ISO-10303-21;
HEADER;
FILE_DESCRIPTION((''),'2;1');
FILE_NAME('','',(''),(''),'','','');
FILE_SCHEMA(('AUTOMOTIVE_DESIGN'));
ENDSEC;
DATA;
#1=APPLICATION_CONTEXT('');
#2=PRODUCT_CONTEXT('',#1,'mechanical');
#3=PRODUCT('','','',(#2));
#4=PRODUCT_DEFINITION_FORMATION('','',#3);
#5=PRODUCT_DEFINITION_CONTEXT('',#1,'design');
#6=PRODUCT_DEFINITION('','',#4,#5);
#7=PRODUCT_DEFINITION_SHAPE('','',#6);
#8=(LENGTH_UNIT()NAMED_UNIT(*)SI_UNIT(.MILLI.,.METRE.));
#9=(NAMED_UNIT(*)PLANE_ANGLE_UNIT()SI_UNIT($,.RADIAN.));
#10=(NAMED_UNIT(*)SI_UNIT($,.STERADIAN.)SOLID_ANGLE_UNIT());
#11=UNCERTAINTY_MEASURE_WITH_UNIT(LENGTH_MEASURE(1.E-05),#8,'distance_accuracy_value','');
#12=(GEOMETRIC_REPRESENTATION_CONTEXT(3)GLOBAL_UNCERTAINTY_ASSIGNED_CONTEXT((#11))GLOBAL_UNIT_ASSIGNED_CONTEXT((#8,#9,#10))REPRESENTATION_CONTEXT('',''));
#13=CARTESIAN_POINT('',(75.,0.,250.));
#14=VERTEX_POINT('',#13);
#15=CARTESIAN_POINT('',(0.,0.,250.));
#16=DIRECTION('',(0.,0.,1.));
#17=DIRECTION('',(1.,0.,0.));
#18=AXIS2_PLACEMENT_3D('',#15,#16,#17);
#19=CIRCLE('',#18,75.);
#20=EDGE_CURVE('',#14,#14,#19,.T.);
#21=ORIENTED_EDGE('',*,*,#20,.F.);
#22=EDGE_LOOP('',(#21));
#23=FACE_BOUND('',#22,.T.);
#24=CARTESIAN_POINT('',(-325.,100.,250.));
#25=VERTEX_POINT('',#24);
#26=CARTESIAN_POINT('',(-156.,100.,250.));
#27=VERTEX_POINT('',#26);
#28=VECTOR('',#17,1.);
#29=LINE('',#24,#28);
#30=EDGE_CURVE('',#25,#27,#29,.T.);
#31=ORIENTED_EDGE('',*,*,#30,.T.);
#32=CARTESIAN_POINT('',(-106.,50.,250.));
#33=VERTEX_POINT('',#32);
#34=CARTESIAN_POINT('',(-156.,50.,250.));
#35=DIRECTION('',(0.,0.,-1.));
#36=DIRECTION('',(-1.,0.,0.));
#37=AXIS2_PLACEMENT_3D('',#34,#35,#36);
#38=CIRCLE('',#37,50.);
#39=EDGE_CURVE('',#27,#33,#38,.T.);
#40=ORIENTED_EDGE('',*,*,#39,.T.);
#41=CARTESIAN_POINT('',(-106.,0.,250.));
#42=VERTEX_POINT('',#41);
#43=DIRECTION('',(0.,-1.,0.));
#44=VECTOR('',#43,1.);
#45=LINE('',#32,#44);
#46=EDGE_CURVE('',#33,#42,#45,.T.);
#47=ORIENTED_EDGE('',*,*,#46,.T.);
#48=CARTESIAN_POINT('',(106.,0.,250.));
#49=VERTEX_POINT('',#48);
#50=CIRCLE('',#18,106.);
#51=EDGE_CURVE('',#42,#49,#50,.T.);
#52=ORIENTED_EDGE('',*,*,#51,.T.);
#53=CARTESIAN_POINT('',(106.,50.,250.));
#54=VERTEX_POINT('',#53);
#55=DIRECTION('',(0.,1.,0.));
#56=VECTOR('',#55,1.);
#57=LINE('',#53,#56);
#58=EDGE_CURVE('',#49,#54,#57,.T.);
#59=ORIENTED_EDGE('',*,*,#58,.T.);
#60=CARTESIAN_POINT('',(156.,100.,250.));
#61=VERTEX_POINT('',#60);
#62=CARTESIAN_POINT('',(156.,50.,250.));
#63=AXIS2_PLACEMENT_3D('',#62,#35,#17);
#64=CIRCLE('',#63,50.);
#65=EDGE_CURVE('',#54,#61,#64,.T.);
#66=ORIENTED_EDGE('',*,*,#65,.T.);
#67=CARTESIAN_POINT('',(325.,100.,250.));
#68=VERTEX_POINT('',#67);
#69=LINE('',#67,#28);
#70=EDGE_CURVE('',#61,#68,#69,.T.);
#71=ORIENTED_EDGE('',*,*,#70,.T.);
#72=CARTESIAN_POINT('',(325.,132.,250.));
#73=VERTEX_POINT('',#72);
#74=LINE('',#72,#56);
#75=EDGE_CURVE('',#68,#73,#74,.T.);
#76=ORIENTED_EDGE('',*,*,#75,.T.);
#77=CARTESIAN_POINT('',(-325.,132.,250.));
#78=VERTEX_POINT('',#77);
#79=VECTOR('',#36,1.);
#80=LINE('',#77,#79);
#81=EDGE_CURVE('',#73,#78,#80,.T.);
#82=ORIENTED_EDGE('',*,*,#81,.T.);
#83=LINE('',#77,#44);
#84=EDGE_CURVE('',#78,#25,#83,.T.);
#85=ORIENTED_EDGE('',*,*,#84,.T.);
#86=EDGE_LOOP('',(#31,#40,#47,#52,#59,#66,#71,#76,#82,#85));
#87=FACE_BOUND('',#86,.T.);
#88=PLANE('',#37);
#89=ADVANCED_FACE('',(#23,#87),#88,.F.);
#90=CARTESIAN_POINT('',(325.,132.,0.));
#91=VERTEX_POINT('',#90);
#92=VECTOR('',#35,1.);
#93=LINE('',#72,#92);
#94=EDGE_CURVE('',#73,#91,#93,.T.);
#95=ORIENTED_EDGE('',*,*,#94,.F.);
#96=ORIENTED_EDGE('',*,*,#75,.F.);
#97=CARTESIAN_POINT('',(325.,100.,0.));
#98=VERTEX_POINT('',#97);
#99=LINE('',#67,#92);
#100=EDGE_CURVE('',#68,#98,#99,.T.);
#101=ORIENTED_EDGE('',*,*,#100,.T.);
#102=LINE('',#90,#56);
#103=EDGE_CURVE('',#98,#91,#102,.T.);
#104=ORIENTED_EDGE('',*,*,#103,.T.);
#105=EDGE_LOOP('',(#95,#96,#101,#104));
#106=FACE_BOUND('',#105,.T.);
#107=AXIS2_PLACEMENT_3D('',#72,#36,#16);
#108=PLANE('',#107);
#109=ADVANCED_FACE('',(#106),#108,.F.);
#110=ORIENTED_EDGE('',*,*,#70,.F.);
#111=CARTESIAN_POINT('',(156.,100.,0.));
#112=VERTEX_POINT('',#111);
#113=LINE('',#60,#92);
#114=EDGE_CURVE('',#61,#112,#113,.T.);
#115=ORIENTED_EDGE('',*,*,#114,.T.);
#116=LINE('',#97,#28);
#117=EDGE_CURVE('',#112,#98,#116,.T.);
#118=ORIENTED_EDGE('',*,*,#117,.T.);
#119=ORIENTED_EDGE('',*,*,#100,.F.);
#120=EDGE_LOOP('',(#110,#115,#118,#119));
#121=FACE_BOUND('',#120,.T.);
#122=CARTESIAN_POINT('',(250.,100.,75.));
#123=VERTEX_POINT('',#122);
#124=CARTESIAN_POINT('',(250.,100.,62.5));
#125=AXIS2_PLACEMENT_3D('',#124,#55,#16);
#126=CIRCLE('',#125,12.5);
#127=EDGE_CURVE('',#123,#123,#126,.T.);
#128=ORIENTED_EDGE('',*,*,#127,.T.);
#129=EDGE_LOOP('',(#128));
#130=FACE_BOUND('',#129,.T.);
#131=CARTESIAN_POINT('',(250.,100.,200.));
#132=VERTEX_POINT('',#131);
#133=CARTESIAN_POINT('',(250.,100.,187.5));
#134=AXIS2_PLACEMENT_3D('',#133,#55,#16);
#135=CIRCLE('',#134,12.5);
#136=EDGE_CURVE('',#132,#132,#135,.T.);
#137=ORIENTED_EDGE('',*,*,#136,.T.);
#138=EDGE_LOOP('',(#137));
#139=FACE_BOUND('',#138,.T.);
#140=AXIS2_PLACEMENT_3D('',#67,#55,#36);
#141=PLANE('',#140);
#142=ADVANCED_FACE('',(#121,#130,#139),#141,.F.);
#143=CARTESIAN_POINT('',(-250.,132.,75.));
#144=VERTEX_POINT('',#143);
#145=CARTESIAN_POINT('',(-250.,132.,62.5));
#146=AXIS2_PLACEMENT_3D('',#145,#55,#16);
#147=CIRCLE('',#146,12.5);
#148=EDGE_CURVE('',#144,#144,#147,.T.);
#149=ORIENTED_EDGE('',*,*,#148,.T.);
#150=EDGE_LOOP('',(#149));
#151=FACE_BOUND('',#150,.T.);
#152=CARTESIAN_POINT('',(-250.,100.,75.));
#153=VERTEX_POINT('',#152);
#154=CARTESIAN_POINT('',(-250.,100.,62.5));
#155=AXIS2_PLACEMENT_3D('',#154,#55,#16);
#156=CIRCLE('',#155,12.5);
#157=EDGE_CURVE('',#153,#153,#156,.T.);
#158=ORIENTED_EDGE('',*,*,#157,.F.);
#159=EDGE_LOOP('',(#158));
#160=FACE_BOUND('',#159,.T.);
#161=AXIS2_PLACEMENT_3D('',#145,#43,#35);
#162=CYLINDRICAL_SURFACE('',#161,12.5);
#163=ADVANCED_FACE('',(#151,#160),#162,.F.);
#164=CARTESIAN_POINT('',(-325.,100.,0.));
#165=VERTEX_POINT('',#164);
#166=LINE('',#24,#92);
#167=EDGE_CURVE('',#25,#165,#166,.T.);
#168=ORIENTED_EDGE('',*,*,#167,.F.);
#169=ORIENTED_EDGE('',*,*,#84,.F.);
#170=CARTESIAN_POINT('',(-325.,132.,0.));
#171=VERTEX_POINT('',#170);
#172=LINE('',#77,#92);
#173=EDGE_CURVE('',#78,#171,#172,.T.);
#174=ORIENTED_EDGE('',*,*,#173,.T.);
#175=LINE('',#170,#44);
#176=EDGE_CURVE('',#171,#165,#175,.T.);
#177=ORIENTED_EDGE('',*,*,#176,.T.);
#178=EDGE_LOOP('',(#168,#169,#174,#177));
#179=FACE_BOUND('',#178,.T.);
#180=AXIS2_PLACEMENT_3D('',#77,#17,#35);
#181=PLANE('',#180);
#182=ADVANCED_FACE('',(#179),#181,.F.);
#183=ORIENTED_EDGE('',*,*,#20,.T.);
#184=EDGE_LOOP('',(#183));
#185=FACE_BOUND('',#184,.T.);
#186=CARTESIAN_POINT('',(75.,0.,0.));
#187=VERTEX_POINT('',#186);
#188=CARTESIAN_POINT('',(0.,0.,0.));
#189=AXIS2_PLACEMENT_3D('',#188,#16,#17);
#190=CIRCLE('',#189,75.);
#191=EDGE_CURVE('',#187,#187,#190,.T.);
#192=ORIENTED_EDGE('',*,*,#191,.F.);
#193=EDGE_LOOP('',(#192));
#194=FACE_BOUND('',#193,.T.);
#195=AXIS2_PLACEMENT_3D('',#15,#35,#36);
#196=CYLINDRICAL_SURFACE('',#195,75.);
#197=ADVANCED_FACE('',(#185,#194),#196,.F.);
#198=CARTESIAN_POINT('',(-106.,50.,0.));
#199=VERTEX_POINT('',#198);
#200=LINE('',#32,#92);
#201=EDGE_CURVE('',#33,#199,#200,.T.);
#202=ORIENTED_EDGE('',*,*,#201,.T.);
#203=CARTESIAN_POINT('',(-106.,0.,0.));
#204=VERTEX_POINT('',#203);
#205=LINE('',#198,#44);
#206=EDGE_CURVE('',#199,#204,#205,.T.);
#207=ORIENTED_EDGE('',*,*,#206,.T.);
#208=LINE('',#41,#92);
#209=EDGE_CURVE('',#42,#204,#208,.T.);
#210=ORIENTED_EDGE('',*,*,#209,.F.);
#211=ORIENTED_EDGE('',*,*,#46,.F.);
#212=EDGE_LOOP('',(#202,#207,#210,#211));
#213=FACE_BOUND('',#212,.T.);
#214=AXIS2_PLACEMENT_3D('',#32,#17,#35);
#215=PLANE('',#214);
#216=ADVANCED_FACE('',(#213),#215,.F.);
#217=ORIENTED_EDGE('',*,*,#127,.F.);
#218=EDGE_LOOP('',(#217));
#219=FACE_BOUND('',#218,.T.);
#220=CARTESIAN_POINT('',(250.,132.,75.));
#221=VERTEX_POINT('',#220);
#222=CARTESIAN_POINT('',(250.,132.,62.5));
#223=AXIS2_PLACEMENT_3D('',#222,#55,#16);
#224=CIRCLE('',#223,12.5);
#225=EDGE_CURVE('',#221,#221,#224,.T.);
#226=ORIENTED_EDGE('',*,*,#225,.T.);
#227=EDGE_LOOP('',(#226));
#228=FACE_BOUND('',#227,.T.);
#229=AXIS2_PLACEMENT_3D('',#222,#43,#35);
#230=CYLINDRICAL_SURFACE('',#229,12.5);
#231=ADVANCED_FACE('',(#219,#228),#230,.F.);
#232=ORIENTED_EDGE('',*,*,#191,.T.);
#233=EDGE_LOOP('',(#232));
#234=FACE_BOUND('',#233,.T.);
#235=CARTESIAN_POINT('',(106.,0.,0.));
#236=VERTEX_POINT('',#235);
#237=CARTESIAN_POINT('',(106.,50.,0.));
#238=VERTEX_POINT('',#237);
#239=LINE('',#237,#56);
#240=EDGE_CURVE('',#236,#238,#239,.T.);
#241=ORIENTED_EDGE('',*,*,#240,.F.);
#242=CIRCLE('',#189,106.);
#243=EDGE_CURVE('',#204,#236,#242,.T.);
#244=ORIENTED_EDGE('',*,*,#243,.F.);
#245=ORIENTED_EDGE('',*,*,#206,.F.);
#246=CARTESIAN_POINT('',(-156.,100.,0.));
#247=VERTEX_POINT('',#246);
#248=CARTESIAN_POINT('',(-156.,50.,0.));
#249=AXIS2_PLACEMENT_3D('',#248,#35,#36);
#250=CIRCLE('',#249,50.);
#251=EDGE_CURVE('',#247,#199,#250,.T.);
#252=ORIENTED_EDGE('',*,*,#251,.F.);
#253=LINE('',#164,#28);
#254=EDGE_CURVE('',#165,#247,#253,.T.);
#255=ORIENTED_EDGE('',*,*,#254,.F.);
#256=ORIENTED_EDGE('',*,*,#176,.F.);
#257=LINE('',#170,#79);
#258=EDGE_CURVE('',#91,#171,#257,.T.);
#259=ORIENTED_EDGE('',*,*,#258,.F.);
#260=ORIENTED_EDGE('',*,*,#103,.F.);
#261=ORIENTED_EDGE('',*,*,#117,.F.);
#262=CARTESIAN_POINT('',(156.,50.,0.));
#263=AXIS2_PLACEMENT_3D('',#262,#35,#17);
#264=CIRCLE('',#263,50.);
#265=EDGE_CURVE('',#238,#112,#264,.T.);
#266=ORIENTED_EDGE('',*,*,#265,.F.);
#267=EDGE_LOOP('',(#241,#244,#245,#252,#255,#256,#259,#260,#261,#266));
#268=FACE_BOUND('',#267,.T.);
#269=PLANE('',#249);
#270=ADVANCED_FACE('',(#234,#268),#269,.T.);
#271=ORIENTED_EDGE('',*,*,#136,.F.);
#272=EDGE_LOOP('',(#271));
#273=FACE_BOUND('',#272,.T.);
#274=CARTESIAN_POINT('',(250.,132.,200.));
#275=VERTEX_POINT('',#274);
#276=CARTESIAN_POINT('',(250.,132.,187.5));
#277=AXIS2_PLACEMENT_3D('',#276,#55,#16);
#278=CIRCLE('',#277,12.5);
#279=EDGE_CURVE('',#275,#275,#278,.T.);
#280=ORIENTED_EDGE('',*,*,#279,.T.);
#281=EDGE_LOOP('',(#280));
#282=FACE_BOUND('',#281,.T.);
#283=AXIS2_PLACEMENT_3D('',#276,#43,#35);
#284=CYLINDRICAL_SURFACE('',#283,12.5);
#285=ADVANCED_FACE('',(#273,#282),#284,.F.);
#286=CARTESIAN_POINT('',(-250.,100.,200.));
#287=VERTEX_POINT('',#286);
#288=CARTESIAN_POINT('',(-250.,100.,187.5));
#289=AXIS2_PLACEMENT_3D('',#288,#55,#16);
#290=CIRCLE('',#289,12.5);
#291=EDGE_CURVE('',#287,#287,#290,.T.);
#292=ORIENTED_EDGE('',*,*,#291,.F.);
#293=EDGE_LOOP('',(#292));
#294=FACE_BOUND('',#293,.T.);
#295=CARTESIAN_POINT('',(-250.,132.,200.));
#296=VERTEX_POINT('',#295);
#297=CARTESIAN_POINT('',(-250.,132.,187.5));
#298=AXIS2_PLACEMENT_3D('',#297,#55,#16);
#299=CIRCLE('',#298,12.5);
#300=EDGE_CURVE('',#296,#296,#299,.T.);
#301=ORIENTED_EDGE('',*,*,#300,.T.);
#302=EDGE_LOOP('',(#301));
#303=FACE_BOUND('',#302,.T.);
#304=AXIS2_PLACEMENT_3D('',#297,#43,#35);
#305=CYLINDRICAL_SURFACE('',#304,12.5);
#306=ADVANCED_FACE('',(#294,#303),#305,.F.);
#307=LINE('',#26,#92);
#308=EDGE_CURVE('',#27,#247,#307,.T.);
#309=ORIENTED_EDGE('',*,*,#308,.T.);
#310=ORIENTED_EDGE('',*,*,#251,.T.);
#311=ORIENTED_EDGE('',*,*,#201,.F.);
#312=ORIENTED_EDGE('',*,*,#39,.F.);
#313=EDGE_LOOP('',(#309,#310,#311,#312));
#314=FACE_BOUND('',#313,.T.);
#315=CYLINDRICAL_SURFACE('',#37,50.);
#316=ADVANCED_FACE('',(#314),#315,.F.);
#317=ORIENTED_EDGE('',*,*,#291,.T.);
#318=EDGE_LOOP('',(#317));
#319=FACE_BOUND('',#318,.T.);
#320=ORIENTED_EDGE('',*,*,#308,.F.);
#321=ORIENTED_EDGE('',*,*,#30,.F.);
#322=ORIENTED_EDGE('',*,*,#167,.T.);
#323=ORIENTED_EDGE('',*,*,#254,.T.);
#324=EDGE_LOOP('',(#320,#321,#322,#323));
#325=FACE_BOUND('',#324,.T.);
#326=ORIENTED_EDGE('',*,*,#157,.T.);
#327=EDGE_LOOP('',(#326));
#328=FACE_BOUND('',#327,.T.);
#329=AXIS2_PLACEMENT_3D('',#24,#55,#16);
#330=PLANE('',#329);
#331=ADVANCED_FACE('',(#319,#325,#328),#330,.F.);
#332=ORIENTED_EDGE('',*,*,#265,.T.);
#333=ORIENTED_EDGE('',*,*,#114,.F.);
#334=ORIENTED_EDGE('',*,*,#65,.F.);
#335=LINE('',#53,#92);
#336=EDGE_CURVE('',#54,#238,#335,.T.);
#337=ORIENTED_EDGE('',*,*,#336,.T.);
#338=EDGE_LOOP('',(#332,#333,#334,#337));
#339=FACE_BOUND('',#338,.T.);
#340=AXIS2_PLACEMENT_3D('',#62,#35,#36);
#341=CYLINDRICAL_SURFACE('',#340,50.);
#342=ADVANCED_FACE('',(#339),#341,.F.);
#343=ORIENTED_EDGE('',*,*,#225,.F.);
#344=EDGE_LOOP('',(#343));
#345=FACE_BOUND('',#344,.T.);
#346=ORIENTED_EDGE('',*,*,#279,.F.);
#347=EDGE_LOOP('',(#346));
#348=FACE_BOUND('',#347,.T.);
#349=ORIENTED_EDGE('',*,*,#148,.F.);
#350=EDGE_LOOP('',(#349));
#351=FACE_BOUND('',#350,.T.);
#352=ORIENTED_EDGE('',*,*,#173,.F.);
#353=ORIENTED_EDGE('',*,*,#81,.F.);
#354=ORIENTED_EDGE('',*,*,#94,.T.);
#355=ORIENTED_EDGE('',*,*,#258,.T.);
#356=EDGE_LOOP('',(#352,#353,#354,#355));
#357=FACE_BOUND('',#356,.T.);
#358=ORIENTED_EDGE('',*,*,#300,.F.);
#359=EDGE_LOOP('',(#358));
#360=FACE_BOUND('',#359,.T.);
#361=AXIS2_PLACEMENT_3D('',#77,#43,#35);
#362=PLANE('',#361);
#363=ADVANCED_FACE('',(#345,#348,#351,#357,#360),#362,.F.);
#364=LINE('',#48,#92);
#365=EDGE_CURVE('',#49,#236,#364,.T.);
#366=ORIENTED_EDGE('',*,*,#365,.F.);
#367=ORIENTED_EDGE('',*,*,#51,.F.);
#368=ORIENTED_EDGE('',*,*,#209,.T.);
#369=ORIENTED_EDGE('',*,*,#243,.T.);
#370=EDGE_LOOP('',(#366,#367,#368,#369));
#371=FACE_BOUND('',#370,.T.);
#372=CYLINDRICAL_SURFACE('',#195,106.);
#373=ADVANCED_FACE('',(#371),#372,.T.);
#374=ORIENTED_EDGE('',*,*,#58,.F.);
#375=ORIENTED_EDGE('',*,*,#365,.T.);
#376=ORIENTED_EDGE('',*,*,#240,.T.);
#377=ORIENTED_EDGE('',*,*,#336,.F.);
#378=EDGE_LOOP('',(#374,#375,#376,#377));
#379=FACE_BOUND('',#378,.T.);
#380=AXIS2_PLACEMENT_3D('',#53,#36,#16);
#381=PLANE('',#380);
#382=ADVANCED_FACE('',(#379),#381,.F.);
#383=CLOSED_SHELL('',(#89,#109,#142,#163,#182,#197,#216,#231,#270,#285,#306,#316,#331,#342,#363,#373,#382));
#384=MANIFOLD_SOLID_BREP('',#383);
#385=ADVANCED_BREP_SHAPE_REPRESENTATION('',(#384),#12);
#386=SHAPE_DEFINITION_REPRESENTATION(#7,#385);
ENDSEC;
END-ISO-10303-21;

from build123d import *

# Parameters (mm, degrees)
SKETCH1_R           = 75
BOSS_EXTRUDE1_DEPTH = 250
CUT_EXTRUDE1_START  = 100
SKETCH2_R           = 12.5
CUT_EXTRUDE1_DEPTH  = 33


with BuildPart() as part:
    # Sketch1 → Boss-Extrude1 (new body)
    with BuildSketch(Plane.XY):
        with BuildLine():
            Line((-325, 132), (325, 132))
            Line((325, 132), (325, 100))
            Line((325, 100), (156, 100))
            ThreePointArc((156, 100), (120.644660941, 85.355339059), (106, 50))
            Line((106, 50), (106, 0))
            ThreePointArc((106, 0), (0, -106), (-106, 0))
            Line((-106, 0), (-106, 50))
            ThreePointArc((-106, 50), (-120.644660941, 85.355339059), (-156, 100))
            Line((-156, 100), (-325, 100))
            Line((-325, 100), (-325, 132))
        make_face()
        Circle(SKETCH1_R, mode=Mode.SUBTRACT)
    extrude(amount=BOSS_EXTRUDE1_DEPTH)

    # Sketch2 → Cut-Extrude1 (cut, through all)
    with BuildSketch(Plane(origin=(0, 0, 0), x_dir=(1, 0, 0), z_dir=(0, 1, 0)).offset(CUT_EXTRUDE1_START)):
        with Locations((-250, -62.5)):
            Circle(SKETCH2_R)
        with Locations((250, -62.5)):
            Circle(SKETCH2_R)
        with Locations((250, -187.5)):
            Circle(SKETCH2_R)
        with Locations((-250, -187.5)):
            Circle(SKETCH2_R)
    extrude(amount=CUT_EXTRUDE1_DEPTH, mode=Mode.SUBTRACT)


solid = part.part
